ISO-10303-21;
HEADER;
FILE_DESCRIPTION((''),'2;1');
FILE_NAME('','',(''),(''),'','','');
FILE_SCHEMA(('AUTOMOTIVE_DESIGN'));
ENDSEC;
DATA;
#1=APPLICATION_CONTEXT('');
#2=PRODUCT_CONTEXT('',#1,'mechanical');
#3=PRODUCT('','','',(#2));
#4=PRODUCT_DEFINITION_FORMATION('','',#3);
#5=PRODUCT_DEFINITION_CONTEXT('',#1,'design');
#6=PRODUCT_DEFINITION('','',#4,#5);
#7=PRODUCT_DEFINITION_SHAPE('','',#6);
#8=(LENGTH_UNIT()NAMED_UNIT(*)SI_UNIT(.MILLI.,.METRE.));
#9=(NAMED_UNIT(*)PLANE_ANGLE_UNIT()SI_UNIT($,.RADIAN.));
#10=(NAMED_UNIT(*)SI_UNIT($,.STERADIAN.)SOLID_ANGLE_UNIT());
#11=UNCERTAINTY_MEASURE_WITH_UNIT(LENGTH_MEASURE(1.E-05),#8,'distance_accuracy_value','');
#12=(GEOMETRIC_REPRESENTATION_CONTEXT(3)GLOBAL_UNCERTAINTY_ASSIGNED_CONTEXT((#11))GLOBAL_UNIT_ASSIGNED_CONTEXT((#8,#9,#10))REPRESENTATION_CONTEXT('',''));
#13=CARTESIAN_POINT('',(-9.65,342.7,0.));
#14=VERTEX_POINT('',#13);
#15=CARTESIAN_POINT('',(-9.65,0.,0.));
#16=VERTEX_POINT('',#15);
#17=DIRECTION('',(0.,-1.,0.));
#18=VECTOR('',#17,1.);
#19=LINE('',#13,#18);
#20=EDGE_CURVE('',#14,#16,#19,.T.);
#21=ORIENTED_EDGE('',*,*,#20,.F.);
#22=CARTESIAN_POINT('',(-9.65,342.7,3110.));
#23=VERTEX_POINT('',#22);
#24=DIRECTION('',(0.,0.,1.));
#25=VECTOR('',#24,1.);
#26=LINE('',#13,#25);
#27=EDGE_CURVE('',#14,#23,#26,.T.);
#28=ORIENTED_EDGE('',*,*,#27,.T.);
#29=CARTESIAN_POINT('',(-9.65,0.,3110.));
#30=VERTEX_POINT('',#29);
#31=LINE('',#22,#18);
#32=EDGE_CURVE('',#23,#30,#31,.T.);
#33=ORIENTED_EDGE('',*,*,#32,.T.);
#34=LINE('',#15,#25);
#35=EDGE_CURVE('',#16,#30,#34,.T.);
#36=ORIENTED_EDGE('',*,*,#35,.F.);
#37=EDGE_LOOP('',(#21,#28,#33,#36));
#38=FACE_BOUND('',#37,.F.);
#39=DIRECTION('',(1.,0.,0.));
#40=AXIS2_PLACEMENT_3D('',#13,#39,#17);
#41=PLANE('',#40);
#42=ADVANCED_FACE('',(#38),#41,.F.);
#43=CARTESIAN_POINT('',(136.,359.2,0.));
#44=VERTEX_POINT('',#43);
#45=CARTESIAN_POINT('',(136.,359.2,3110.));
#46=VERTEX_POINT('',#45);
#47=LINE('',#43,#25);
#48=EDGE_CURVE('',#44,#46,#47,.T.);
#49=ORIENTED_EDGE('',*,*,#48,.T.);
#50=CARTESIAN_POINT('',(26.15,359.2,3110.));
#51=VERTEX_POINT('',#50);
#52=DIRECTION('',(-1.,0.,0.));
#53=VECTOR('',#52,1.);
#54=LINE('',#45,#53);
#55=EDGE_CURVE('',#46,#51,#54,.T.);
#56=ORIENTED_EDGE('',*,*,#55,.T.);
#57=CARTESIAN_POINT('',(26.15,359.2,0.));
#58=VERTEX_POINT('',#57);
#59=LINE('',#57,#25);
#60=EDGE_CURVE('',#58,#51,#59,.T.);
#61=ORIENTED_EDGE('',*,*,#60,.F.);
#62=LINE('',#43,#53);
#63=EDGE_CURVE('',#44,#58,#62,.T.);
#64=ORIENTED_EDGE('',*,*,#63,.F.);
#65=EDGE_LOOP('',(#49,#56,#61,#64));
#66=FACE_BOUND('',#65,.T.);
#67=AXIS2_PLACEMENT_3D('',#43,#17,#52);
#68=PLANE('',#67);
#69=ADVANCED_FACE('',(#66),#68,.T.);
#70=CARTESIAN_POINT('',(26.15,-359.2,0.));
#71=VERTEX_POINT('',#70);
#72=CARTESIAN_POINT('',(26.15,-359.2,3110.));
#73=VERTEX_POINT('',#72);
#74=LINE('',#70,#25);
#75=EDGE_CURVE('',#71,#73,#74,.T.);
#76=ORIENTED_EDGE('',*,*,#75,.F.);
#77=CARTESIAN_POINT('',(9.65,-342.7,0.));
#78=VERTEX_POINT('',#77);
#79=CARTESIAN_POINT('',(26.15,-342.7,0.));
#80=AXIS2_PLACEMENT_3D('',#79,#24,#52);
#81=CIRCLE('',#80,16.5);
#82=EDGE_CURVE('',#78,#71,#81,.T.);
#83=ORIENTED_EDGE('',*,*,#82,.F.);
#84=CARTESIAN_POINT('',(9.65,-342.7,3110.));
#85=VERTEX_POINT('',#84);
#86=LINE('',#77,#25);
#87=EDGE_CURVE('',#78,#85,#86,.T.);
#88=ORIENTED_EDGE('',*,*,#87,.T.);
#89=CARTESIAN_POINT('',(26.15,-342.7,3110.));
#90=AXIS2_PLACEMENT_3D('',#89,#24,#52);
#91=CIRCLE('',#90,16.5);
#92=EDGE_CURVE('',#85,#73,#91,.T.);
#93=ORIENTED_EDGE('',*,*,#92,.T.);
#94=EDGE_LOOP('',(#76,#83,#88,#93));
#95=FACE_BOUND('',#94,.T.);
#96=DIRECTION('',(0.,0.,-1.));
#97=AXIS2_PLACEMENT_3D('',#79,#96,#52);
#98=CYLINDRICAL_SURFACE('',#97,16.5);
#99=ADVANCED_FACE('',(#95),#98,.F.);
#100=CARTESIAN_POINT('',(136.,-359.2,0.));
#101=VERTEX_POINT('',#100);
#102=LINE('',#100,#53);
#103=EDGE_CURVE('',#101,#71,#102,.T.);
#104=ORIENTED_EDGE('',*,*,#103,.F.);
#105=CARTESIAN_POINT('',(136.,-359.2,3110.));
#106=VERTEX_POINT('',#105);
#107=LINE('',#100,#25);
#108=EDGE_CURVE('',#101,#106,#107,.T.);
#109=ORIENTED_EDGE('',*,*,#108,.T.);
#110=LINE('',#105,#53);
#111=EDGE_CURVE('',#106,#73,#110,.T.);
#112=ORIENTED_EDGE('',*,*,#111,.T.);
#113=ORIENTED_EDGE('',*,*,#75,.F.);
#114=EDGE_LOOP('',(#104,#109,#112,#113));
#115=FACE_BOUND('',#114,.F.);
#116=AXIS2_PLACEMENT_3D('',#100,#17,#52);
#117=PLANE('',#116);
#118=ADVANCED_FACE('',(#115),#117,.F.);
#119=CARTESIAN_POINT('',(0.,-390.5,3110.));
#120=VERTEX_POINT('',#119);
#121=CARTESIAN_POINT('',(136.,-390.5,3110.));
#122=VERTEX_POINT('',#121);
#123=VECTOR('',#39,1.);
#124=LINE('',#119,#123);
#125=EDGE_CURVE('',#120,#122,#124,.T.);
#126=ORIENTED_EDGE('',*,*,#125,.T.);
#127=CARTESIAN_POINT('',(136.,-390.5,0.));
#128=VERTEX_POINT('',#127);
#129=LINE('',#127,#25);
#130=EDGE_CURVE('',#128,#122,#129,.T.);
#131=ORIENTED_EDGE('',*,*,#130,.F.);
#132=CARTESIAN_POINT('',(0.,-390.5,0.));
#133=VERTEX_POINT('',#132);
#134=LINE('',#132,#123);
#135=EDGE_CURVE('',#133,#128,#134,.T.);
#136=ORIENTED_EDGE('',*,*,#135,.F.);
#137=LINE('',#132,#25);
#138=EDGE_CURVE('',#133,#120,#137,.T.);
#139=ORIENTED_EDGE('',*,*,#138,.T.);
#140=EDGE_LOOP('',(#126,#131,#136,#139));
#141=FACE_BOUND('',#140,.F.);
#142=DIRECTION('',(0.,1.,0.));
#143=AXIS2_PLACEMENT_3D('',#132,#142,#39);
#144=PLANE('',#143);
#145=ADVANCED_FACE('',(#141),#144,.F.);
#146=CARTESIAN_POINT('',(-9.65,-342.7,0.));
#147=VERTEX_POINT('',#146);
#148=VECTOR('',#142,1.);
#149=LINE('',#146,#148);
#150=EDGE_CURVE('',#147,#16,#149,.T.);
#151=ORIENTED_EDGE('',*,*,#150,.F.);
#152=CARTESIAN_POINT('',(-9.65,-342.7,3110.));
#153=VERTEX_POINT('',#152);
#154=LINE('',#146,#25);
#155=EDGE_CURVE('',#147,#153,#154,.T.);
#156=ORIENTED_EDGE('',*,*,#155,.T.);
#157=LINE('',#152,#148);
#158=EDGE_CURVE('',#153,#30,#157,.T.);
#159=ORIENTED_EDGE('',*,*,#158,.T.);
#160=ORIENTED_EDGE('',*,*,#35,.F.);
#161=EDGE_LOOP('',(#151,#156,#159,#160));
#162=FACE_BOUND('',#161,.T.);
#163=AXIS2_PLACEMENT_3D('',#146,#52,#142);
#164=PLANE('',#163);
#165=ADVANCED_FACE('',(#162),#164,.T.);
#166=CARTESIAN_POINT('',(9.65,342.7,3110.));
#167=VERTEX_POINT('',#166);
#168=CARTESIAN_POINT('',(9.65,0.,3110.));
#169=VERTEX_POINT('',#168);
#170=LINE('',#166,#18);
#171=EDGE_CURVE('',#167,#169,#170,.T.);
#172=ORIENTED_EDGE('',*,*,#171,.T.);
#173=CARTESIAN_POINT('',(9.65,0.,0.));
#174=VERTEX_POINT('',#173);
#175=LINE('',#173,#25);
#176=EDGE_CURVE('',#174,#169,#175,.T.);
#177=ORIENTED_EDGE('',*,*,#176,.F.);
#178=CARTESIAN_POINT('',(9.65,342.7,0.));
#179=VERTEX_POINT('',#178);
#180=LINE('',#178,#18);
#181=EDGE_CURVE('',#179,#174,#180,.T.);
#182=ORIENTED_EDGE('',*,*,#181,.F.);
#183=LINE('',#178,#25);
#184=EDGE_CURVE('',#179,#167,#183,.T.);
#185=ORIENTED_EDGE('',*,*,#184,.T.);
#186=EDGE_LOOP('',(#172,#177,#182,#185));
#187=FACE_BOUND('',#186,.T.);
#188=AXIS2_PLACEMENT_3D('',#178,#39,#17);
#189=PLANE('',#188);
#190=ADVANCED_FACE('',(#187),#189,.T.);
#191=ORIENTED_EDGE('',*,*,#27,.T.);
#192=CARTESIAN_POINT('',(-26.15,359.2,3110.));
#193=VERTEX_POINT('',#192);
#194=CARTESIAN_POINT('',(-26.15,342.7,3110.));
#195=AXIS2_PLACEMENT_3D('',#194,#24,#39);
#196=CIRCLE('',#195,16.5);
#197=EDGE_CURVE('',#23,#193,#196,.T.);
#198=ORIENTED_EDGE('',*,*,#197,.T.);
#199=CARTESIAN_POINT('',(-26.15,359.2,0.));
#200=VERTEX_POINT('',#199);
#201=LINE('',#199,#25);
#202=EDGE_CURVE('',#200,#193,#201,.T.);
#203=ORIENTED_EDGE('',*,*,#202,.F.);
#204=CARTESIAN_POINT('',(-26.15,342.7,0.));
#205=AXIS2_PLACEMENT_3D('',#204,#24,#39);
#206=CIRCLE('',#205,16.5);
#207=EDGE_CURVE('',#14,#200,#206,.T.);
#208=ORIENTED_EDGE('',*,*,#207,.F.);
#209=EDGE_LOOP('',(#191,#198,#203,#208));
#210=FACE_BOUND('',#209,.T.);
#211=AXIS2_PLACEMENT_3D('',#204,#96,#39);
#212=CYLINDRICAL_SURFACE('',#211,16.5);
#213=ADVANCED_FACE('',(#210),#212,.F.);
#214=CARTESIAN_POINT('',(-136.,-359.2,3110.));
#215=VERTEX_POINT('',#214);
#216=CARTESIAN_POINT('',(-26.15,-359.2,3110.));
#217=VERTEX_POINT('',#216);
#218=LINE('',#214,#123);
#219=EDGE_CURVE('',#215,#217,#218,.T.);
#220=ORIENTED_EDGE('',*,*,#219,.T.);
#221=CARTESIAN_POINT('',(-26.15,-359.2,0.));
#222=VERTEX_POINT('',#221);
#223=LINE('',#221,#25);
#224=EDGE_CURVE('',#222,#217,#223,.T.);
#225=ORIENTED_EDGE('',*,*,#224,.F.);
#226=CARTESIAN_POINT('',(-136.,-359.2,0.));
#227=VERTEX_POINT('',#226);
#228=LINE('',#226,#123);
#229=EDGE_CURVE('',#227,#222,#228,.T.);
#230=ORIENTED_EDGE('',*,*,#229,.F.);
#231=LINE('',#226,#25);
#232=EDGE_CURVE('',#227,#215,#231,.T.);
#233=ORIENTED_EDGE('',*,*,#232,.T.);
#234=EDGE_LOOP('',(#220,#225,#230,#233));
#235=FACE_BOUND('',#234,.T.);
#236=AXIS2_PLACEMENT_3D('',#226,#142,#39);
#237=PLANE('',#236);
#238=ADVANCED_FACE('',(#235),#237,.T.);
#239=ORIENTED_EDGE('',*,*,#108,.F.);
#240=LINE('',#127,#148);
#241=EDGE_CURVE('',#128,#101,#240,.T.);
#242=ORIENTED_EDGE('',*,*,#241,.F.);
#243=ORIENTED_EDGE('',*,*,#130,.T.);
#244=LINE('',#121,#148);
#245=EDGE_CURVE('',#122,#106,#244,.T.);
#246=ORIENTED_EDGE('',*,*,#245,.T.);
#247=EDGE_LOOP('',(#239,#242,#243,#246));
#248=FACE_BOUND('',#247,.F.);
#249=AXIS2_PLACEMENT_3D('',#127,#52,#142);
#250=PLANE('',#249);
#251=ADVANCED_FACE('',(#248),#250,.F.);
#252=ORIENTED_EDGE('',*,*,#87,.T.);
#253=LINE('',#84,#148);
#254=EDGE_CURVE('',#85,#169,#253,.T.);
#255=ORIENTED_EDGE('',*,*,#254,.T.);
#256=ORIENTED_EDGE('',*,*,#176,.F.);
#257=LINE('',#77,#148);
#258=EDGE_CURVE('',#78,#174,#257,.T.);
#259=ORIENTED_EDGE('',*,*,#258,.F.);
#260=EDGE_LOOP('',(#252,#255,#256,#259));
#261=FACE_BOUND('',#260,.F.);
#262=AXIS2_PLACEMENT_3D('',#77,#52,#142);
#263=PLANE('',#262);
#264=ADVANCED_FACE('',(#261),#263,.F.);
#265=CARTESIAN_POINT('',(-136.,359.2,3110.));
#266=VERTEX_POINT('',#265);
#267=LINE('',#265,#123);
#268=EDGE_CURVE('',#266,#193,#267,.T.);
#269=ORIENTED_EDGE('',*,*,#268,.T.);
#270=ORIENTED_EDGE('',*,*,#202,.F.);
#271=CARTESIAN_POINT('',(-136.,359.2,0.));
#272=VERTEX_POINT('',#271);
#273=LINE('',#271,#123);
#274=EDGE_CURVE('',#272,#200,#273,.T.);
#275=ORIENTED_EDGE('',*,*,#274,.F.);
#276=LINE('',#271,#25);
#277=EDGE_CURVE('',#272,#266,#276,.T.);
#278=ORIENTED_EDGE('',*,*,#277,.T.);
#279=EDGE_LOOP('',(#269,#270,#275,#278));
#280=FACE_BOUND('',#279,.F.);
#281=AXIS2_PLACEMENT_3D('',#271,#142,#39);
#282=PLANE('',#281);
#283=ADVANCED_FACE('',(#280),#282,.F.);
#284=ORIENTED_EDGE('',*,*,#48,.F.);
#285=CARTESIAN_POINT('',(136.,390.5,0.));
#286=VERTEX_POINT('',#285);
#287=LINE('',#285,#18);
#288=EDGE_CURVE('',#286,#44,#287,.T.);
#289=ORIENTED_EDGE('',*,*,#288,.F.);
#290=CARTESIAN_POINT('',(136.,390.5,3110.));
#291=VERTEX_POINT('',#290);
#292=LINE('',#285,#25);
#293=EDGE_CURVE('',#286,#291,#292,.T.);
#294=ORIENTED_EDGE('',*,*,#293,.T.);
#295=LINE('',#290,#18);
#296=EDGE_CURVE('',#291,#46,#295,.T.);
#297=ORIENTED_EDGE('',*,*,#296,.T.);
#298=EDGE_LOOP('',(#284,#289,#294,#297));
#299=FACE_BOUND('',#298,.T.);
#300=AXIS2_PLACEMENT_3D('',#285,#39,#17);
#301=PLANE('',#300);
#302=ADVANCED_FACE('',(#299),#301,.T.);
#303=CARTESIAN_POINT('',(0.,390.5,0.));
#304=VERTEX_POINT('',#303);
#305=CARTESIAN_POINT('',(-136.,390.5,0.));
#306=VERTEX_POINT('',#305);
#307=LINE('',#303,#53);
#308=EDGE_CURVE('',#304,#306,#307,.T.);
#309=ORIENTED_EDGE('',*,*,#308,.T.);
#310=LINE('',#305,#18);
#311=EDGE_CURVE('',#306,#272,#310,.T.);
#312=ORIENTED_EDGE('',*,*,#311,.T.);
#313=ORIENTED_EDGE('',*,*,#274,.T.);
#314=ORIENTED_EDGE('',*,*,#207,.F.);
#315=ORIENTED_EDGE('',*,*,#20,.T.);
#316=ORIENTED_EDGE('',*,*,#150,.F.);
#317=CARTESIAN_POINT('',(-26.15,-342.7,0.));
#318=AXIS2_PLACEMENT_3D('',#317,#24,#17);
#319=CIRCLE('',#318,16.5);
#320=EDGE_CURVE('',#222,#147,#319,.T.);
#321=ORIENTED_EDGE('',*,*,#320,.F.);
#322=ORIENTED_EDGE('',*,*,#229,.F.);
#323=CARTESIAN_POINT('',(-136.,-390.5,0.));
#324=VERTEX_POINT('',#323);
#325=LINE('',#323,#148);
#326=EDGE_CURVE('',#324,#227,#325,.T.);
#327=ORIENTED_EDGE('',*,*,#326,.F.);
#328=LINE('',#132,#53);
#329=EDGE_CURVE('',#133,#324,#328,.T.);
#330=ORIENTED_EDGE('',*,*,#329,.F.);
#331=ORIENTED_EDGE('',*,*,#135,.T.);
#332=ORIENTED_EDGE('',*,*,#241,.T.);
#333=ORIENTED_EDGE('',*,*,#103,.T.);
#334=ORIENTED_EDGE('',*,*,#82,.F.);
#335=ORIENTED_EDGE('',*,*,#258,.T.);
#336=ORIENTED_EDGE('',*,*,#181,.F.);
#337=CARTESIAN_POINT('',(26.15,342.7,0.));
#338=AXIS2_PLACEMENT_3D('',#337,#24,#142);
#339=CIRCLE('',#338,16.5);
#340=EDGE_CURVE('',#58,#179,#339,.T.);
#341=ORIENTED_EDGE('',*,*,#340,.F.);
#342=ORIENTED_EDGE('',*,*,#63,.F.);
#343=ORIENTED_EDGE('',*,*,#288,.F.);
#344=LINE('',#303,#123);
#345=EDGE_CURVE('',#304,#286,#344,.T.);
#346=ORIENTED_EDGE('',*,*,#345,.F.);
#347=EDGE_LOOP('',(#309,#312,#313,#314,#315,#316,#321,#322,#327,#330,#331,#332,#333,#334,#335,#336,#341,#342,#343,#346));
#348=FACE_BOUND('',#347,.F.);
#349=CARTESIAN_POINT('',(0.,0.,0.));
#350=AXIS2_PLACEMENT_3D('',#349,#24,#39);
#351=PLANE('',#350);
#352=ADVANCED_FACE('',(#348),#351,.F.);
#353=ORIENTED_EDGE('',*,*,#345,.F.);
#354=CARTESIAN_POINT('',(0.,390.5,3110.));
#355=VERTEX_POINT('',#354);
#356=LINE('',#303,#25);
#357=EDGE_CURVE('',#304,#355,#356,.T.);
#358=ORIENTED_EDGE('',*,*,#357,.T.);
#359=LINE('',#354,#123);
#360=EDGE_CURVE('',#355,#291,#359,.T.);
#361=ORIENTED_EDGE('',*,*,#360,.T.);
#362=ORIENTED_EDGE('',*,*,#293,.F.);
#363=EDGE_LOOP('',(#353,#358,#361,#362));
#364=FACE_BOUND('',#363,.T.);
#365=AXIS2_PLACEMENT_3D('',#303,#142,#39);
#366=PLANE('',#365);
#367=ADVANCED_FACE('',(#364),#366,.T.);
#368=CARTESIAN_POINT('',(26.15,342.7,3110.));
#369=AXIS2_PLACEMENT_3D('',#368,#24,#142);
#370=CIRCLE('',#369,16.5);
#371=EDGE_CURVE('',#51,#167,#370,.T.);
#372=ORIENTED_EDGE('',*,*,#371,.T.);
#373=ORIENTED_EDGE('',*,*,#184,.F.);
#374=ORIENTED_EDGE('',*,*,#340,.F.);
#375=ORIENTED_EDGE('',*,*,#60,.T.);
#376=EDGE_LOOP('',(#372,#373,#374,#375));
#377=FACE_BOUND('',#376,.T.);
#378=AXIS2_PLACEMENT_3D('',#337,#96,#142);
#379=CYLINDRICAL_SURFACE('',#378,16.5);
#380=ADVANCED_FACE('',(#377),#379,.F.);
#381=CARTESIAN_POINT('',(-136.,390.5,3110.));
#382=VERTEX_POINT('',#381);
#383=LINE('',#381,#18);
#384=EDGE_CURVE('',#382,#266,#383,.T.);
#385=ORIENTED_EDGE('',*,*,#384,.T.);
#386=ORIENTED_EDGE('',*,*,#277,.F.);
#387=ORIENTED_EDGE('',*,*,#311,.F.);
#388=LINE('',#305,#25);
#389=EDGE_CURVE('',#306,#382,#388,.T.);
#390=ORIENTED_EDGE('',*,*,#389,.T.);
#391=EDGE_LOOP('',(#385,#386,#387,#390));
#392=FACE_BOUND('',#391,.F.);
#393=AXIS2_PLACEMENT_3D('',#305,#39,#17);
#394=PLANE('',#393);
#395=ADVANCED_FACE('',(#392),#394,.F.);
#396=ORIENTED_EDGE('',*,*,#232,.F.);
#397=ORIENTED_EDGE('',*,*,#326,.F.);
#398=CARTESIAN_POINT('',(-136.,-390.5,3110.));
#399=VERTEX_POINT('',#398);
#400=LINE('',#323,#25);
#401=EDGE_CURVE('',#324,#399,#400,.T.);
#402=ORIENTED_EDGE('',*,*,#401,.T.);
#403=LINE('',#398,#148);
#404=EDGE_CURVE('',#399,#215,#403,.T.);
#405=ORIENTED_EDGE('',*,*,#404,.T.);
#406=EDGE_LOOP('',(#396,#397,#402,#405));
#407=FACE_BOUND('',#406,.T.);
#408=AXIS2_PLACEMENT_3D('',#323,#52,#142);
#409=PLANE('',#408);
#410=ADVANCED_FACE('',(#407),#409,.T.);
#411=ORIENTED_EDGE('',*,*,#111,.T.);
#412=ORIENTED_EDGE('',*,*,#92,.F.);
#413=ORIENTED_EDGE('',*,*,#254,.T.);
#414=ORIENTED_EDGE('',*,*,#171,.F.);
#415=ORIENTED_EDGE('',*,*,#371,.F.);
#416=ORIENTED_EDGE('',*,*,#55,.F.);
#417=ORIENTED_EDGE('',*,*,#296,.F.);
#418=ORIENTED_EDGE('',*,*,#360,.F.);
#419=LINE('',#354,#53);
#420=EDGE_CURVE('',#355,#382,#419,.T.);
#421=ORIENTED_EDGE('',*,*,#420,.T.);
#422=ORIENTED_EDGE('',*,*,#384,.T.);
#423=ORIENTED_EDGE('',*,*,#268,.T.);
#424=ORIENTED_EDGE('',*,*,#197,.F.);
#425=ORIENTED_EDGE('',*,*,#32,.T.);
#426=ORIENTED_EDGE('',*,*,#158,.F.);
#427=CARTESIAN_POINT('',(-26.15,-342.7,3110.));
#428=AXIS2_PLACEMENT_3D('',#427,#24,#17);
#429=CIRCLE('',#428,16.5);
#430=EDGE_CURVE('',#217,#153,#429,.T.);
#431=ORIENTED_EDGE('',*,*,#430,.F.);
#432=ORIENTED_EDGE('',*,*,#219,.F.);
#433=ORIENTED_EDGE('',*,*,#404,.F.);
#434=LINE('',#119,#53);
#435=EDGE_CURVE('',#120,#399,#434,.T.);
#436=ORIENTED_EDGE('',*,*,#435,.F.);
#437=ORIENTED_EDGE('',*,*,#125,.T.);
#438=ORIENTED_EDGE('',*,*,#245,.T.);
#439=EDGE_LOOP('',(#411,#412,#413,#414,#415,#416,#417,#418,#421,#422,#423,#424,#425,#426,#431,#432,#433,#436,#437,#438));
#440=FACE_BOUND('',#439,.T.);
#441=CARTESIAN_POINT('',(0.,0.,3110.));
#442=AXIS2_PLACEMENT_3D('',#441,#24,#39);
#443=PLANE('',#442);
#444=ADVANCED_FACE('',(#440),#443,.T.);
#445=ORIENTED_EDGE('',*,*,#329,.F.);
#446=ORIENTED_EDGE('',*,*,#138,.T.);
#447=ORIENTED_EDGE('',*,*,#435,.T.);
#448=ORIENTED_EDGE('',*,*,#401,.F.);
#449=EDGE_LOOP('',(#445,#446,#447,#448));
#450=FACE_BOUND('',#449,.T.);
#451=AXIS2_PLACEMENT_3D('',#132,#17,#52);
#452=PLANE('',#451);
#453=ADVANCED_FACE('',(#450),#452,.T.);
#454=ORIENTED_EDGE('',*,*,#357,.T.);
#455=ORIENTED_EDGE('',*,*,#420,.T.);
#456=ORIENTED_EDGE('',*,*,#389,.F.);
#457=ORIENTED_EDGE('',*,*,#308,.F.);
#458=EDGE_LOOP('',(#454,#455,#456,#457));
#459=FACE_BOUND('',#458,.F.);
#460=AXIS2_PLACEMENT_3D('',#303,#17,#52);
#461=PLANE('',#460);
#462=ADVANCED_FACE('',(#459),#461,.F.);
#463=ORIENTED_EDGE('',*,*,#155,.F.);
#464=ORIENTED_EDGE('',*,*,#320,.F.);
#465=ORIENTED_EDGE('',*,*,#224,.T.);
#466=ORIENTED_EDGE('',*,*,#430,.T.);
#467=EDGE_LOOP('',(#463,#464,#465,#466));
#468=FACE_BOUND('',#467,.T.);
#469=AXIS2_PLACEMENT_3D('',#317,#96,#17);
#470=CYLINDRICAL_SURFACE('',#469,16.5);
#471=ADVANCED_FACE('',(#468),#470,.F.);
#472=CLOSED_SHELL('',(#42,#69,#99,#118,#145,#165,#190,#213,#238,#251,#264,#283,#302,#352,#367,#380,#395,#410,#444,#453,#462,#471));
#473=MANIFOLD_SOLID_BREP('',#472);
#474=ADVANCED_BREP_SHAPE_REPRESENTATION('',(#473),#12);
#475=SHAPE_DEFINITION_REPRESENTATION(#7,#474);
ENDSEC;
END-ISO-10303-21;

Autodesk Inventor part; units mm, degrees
ref_plane "YZ Plane" through (0, 0, 0) normal (1, 0, 0) x (0, 1, 0)
ref_plane "Start plane" through (0, 0, 0) normal (0, 0, 1) x (1, 0, 0)
ref_plane "End plane" through (0, 0, 3110) normal (0, 0, 1) x (1, 0, 0)
sketch "Sketch" plane through (0, 0, 0) normal (0, 0, 1) x (1, 0, 0)
  line L0 (-136, -390.5) -> (-136, -359.2)
  line L1 (-136, -359.2) -> (-26.15, -359.2)
  line L2 (-9.65, -342.7) -> (-9.65, 0)
  line L3 (-9.65, 0) -> (0, 0) construction
  line L4 (0, 0) -> (0, -390.5) construction
  line L5 (0, -390.5) -> (-136, -390.5)
  line L6 (-60, 0) -> (80, 0) construction
  line L7 (0, -60) -> (0, 80) construction
  line L8 (136, -390.5) -> (136, -359.2)
  line L9 (136, -359.2) -> (26.15, -359.2)
  line L10 (9.65, -342.7) -> (9.65, 0)
  line L11 (9.65, 0) -> (0, 0) construction
  line L12 (0, -390.5) -> (136, -390.5)
  line L13 (-136, 390.5) -> (-136, 359.2)
  line L14 (-136, 359.2) -> (-26.15, 359.2)
  line L15 (-9.65, 342.7) -> (-9.65, 0)
  line L16 (0, 390.5) -> (-136, 390.5)
  line L17 (136, 390.5) -> (136, 359.2)
  line L18 (136, 359.2) -> (26.15, 359.2)
  line L19 (0, 390.5) -> (136, 390.5)
  line L20 (9.65, 342.7) -> (9.65, 0)
  arc A0 (-9.65, 342.7) -> (-26.15, 359.2) centre (-26.15, 342.7) ccw
  arc A1 (26.15, 359.2) -> (9.65, 342.7) centre (26.15, 342.7) ccw
  arc A2 (9.65, -342.7) -> (26.15, -359.2) centre (26.15, -342.7) ccw
  arc A3 (-26.15, -359.2) -> (-9.65, -342.7) centre (-26.15, -342.7) ccw
  line L21 (0, 108) -> (0, -88) construction
  line L22 (-88, 0) -> (108, 0) construction
  point P0 (-9.65, -359.2)
  point P1 (9.65, -359.2)
  point P2 (-9.65, 359.2)
  point P3 (9.65, 359.2)
  dimension "d1" = 390.5
  dimension "d2" = 31.3
  dimension "d3" = 136
  dimension "d4" = 9.65
  dimension "d10" = 16.5
extrude "Body" add sketch "Sketch" along normal up to surface (3110 mm away) from surface at 0
sketch "Sketch4" plane through (0, 0, 0) normal (0, 0, 1) x (1, 0, 0)
  line L0 (0, 0) -> (10, 0)
ref_plane "Work Plane3" through (0, 0, 0) normal (0, -1, 0) x (1, 0, 0)
sketch "Sketch5" plane through (0, 0, 0) normal (0, -1, 0) x (1, 0, 0)
  line L0 (-2, 0) -> (12, 0) projected
  line L1 (-2, 3110) -> (12, 3110) projected
  dimension "d14" = 3110
equation "\"d1\" = 0.5 * G_H"
equation "\"d2\" = G_T1"
equation "\"d3\" = 0.5 * G_W"
equation "\"d4\" = 0.5 * G_T"
equation "\"d10\" = G_IR"
equation "\"d5\" = G_L"
equation "\"G_W\" = 272"
equation "\"G_H\" = 781"
equation "\"G_T\" = 19.3"
equation "\"G_T1\" = 31.3"
equation "\"G_IR\" = 16.5"
equation "\"G_L\" = d14"
equation "\"G_OFFSET_START\" = 0"
equation "\"G_OFFSET_END\" = 0"
properties part number "AS 3679-1990 - 760 UB - 244 - 3110" material "Steel, Mild"
